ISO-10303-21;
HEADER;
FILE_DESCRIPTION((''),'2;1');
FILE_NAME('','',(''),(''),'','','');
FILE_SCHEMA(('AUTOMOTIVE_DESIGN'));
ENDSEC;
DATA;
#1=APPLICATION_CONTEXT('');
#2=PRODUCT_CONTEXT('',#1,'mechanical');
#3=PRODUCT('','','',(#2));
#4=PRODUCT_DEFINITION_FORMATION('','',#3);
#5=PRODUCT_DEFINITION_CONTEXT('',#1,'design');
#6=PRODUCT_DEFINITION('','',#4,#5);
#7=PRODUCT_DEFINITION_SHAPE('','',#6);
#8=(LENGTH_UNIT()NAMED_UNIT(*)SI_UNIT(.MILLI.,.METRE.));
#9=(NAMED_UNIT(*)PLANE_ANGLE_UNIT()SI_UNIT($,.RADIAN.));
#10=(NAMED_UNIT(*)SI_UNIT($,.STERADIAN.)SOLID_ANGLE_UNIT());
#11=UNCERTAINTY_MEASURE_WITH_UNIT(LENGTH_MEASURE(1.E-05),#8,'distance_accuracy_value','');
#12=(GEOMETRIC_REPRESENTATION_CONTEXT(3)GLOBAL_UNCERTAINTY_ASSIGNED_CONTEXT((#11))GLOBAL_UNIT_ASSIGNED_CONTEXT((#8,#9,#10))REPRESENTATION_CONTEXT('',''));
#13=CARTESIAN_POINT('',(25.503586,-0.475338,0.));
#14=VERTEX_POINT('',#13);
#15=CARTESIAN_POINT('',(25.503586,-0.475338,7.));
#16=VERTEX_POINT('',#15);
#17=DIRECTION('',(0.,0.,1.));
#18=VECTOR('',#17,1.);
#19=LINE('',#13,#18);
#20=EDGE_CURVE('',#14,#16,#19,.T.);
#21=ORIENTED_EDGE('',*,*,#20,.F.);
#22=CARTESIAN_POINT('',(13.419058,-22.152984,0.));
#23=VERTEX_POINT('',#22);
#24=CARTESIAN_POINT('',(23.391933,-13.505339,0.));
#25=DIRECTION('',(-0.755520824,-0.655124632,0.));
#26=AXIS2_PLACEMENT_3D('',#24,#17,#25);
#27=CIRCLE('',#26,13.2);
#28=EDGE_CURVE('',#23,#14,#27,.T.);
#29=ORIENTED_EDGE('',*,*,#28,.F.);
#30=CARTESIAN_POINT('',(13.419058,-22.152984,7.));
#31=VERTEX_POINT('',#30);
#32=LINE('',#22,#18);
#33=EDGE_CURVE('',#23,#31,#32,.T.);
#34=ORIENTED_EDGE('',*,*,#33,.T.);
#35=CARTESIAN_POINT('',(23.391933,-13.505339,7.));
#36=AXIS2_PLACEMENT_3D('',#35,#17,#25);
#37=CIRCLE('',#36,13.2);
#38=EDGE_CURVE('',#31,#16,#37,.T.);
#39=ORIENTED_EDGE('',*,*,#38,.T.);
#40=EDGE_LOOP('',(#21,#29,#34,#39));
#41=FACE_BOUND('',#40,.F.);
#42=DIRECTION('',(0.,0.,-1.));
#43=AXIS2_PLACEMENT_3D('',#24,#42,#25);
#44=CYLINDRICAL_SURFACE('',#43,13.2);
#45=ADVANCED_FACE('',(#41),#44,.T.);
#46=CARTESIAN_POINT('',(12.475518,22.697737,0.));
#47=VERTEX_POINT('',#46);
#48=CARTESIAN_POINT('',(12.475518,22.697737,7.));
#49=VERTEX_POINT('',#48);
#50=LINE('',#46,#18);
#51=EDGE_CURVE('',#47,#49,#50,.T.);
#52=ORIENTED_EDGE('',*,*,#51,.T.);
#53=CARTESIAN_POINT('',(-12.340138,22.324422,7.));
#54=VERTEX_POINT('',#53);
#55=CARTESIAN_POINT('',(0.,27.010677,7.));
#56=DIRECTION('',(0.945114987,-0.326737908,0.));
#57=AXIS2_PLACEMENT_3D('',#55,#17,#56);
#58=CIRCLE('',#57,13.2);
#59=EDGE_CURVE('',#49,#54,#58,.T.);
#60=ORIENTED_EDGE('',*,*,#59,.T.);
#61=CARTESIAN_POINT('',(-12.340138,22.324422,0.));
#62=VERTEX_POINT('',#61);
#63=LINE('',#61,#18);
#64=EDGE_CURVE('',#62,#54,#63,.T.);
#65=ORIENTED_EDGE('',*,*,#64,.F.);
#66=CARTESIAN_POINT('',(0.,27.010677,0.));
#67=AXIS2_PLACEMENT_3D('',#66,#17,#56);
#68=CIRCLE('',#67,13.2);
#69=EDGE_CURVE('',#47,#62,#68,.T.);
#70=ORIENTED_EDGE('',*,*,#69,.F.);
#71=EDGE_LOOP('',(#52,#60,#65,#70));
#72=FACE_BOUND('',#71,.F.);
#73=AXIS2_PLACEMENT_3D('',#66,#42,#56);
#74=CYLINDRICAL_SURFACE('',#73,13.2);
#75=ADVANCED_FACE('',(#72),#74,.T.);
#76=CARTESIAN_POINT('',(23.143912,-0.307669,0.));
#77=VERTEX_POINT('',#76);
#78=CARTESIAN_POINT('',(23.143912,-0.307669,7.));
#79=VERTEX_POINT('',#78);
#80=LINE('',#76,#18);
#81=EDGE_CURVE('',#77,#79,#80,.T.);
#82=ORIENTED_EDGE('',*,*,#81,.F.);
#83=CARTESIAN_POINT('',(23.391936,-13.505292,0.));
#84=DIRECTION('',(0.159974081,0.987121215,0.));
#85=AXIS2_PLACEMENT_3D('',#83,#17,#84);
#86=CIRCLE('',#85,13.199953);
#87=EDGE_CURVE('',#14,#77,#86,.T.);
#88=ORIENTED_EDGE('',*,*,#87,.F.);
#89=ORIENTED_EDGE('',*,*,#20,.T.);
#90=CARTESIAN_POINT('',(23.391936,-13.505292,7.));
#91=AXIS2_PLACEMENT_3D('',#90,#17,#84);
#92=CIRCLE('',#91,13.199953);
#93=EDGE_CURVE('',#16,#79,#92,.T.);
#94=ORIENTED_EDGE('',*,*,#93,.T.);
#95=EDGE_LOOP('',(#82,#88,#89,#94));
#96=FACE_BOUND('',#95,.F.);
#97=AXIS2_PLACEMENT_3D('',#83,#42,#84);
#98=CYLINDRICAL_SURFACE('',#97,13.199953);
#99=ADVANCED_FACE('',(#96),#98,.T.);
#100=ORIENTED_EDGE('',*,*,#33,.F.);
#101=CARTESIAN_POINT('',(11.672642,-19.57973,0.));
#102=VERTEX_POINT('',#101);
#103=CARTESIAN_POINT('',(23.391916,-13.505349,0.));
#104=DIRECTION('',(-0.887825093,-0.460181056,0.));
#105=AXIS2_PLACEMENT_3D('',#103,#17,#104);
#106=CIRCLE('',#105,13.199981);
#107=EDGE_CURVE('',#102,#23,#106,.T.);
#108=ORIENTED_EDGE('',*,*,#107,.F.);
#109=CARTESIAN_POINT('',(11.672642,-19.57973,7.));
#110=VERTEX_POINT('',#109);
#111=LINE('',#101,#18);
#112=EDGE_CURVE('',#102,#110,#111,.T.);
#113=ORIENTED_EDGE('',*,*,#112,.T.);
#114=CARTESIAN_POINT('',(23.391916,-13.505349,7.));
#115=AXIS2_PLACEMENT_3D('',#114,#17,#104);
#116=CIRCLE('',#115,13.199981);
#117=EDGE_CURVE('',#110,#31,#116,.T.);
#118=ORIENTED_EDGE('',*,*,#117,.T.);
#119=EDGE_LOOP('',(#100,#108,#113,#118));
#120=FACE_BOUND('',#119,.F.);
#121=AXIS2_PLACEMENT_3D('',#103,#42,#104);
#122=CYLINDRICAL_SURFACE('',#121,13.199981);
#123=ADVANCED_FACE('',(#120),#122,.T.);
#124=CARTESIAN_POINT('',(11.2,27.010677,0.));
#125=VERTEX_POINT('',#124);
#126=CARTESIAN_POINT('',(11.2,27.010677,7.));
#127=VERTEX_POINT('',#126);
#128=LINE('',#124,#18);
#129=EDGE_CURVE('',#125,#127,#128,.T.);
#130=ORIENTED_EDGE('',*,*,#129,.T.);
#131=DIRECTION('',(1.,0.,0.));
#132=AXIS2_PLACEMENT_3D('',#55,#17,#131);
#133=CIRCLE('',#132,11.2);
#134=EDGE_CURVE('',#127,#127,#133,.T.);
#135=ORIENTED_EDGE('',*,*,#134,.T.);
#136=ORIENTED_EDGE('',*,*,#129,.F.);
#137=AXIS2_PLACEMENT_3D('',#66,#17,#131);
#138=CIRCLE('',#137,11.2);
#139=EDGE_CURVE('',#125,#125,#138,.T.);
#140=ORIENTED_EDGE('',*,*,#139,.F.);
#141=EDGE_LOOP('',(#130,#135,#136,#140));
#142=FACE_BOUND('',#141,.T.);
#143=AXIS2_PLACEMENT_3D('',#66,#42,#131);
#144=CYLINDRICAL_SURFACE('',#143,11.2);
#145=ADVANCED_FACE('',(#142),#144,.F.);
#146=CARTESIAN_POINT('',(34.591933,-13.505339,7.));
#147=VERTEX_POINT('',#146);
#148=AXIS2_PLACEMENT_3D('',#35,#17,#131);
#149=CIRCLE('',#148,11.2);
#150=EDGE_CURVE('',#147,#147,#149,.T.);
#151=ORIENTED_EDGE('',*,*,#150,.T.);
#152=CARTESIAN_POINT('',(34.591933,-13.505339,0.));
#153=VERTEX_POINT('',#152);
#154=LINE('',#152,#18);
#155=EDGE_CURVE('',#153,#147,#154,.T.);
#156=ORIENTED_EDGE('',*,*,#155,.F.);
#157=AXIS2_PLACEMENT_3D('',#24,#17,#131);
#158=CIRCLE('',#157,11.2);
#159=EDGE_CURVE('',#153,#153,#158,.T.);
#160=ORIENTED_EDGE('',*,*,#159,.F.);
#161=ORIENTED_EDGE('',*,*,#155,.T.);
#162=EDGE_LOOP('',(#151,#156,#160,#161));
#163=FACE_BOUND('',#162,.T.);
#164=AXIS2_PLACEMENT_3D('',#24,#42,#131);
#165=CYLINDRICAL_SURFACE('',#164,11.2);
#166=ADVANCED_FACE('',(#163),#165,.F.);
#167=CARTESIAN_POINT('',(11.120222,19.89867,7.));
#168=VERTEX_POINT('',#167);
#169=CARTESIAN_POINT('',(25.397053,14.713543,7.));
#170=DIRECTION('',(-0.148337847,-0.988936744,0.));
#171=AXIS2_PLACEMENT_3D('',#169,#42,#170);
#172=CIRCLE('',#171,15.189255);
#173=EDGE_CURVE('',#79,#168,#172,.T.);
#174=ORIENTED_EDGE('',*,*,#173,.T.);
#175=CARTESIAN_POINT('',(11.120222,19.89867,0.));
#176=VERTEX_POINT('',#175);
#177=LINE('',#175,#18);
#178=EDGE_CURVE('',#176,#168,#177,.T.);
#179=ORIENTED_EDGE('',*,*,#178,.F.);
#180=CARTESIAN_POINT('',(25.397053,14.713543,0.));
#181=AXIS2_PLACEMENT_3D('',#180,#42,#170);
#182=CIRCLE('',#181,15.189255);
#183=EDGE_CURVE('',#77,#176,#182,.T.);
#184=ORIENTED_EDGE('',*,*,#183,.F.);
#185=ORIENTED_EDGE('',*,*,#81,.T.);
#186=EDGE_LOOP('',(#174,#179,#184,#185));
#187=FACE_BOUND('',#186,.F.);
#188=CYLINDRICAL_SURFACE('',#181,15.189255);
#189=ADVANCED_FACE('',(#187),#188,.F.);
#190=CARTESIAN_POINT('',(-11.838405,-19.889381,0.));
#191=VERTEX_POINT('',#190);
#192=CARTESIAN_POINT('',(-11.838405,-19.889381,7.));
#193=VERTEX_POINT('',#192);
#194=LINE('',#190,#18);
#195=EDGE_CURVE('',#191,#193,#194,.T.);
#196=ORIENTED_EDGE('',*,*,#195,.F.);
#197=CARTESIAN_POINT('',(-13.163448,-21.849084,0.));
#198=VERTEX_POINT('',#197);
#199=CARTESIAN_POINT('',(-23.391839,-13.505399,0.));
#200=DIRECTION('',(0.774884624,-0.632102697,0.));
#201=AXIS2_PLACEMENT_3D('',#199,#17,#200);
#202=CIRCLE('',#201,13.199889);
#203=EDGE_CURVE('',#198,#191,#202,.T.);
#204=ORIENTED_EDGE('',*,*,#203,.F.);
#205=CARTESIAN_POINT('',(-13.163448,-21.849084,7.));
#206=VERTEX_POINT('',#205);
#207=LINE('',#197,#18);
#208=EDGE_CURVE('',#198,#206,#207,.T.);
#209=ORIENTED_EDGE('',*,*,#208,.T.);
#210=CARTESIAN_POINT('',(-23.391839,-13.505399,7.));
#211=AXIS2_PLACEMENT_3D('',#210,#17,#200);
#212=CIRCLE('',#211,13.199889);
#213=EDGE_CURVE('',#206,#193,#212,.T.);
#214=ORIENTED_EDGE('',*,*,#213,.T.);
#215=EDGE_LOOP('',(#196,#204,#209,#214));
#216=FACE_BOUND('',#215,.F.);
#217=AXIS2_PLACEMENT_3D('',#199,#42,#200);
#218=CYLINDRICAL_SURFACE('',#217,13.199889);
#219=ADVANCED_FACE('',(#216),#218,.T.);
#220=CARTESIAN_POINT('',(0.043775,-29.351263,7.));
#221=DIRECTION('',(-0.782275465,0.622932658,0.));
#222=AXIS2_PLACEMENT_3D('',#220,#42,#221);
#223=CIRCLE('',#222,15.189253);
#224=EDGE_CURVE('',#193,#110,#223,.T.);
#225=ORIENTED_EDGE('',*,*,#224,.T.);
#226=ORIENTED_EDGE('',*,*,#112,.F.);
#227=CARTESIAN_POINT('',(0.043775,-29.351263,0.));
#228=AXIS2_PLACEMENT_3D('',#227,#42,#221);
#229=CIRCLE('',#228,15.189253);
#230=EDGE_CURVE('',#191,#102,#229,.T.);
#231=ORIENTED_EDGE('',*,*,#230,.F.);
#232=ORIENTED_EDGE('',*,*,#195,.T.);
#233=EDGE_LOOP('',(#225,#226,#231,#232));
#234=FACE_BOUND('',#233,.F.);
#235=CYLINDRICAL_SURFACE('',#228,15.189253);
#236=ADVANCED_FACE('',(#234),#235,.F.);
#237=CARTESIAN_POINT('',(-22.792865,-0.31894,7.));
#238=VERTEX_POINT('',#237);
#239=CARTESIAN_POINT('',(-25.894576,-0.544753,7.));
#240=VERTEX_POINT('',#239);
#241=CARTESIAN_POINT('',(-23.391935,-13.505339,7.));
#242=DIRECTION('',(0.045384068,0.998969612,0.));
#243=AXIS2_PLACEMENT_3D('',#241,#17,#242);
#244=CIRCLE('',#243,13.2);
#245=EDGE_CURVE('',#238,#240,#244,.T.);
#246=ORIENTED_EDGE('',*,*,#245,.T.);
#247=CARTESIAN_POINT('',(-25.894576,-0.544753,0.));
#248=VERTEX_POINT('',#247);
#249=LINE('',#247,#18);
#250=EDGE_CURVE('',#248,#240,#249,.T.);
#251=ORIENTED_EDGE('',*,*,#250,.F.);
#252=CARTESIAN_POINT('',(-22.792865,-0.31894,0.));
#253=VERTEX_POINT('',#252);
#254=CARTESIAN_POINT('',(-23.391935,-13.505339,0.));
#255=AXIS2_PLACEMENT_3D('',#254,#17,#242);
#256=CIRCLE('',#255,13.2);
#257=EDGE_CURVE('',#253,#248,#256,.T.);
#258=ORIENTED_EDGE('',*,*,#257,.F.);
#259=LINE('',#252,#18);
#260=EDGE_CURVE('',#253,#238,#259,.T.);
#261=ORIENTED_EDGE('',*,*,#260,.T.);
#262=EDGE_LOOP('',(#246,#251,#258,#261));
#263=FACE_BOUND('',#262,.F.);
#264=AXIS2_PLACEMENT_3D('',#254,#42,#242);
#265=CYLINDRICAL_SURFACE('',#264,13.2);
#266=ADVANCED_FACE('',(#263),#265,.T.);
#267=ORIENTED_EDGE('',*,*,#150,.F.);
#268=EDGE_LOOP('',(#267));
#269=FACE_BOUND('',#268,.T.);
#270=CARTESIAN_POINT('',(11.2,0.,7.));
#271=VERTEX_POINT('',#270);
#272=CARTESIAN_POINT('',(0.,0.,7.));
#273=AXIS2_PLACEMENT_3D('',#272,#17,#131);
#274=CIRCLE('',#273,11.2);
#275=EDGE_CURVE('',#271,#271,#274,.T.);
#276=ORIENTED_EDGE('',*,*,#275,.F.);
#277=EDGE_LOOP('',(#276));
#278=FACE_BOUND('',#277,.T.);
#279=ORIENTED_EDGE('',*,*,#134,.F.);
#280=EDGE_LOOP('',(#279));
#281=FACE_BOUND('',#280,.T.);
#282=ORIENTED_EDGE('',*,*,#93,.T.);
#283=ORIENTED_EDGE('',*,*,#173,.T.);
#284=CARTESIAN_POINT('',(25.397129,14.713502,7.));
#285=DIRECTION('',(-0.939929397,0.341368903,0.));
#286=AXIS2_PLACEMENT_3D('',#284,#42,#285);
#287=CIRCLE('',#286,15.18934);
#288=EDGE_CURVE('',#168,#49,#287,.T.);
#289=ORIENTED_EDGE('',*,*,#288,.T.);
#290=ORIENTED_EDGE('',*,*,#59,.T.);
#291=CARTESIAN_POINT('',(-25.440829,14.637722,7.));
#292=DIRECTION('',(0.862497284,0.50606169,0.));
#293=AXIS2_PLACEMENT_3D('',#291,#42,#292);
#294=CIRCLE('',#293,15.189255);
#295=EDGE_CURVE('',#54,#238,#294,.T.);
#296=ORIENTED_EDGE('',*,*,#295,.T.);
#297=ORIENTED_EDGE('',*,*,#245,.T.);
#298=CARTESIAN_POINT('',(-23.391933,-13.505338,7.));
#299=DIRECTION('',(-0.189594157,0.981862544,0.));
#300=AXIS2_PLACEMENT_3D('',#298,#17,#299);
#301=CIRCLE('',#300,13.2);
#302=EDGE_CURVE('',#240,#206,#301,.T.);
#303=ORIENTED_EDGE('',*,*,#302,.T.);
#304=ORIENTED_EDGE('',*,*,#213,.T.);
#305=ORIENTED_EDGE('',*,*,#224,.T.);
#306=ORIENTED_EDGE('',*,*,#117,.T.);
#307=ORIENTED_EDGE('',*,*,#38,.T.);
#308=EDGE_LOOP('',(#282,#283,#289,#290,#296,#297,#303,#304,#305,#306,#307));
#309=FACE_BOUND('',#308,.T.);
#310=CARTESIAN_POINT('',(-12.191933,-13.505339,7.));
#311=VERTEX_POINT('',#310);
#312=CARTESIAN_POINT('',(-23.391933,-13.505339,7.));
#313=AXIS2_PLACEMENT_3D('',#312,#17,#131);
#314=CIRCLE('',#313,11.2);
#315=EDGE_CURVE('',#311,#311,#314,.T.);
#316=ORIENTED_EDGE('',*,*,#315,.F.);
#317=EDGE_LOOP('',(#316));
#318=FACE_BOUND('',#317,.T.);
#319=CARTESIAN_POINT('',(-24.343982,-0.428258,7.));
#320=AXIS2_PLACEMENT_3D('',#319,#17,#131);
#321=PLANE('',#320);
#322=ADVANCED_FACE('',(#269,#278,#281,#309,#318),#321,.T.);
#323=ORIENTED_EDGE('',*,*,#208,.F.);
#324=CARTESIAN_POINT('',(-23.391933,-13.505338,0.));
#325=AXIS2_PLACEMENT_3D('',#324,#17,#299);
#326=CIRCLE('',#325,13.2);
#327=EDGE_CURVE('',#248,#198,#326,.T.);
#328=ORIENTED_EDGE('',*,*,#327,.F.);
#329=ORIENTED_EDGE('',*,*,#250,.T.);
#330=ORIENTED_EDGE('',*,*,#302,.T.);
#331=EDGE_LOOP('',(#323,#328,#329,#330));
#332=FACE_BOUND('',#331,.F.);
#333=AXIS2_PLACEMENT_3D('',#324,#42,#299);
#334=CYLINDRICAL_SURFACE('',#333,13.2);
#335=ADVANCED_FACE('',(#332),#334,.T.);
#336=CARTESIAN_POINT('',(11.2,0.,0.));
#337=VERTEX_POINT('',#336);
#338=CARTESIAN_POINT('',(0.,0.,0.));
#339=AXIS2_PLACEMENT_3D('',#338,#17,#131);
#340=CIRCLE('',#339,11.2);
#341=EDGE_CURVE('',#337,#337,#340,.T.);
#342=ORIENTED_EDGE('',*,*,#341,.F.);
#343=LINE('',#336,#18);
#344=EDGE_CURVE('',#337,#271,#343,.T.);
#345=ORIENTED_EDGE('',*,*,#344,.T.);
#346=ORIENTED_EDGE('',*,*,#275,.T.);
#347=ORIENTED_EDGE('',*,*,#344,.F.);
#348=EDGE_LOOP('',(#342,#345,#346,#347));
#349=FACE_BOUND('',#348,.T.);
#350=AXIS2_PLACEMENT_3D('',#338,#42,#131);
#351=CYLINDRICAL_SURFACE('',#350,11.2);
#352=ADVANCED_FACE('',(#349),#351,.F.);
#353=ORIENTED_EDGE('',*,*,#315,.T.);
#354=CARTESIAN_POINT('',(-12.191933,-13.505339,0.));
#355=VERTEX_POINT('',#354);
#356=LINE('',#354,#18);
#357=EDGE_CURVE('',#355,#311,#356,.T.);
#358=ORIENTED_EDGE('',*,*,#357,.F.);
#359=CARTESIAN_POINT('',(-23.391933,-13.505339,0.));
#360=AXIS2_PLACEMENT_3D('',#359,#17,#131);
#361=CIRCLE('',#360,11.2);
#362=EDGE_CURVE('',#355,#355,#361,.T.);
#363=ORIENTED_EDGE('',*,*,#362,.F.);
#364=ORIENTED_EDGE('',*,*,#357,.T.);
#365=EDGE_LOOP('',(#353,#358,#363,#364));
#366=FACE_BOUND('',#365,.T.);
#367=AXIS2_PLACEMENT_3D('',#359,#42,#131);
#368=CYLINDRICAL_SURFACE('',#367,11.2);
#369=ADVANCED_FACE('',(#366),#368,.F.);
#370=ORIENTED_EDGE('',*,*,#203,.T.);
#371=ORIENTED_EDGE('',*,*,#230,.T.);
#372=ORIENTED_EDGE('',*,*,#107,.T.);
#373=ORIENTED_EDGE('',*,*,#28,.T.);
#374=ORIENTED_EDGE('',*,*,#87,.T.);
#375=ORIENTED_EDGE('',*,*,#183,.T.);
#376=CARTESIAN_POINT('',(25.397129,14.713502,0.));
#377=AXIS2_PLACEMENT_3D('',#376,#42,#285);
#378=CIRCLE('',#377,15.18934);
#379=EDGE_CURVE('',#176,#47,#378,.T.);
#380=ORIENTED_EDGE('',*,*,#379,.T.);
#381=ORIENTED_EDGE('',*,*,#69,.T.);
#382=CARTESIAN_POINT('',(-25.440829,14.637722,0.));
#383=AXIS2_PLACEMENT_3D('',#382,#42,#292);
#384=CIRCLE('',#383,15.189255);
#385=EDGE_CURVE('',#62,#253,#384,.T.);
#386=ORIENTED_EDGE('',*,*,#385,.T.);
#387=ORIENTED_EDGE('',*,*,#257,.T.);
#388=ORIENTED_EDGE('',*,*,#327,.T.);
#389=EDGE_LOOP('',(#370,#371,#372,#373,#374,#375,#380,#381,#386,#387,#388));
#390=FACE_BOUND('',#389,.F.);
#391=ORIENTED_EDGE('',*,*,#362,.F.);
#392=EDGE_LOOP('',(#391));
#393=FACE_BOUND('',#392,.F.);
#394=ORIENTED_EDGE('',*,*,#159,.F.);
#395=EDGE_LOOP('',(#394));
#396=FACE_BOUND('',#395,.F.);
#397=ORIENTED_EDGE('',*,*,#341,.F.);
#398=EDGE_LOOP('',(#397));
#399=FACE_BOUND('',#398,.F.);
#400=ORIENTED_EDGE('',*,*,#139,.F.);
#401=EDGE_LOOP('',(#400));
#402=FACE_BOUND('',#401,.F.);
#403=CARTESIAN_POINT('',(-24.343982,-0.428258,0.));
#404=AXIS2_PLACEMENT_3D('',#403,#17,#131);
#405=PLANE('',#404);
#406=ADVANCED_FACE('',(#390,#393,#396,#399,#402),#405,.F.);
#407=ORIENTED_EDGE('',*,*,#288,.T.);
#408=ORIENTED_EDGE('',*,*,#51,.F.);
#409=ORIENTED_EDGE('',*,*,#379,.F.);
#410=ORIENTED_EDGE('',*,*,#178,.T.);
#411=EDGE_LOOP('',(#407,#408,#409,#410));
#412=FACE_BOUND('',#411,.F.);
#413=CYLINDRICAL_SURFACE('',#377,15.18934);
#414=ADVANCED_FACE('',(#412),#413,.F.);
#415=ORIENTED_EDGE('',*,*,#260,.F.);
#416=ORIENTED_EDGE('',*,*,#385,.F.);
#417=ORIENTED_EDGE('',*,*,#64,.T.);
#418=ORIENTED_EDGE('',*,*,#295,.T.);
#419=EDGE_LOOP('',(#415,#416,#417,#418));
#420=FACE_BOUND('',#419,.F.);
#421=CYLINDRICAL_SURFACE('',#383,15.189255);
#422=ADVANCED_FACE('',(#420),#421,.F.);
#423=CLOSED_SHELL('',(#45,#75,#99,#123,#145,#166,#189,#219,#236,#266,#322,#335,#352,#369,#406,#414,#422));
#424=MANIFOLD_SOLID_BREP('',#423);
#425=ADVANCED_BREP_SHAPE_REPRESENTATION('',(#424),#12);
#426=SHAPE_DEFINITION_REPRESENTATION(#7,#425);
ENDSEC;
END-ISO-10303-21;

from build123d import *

# Parameters (mm, degrees)
F0_R     = 11.2
F1_DEPTH = 7


with BuildPart() as f1:
    # F0 (on Top) → F1 (new body)
    with BuildSketch(Plane.XY):
        with BuildLine():
            ThreePointArc((-25.894576, -0.544753), (-24.337926, -0.511438), (-22.792865, -0.31894))
            ThreePointArc((-22.792865, -0.31894), (-24.350394, -0.340182), (-25.894576, -0.544753))
        make_face()
        with BuildLine():
            ThreePointArc((-12.340138, 22.324422), (-11.650053, 8.271565), (-22.792865, -0.31894))
            ThreePointArc((-22.792865, -0.31894), (-24.337926, -0.511438), (-25.894576, -0.544753))
            ThreePointArc((-25.894576, -0.544753), (-34.722899, -20.276543), (-13.163448, -21.849084))
            ThreePointArc((-13.163448, -21.849084), (-12.539136, -20.843398), (-11.838405, -19.889381))
            ThreePointArc((-11.838405, -19.889381), (-0.156257, -14.163327), (11.672642, -19.57973))
            ThreePointArc((11.672642, -19.57973), (12.611881, -20.821543), (13.419058, -22.152984))
            ThreePointArc((13.419058, -22.152984), (34.921451, -19.932641), (25.503586, -0.475338))
            ThreePointArc((25.503586, -0.475338), (24.32048, -0.437511), (23.143912, -0.307669))
            ThreePointArc((23.143912, -0.307669), (12.34393, 6.946341), (11.120222, 19.89867))
            ThreePointArc((11.120222, 19.89867), (11.726045, 21.332981), (12.475518, 22.697737))
            ThreePointArc((12.475518, 22.697737), (-0.198552, 40.209184), (-12.340138, 22.324422))
        make_face()
        with Locations((-23.391933, -13.505339)):
            Circle(F0_R, mode=Mode.SUBTRACT)
        with Locations((23.391933, -13.505339)):
            Circle(F0_R, mode=Mode.SUBTRACT)
        Circle(F0_R, mode=Mode.SUBTRACT)
        with Locations((0, 27.010677)):
            Circle(F0_R, mode=Mode.SUBTRACT)
        with BuildLine():
            ThreePointArc((-11.838405, -19.889381), (-12.539136, -20.843398), (-13.163448, -21.849084))
            ThreePointArc((-13.163448, -21.849084), (-12.456937, -20.898976), (-11.838405, -19.889381))
        make_face()
        with BuildLine():
            ThreePointArc((13.419058, -22.152984), (12.611881, -20.821543), (11.672642, -19.57973))
            ThreePointArc((11.672642, -19.57973), (12.469803, -20.917969), (13.419058, -22.152984))
        make_face()
        with BuildLine():
            ThreePointArc((25.503586, -0.475338), (24.327513, -0.338536), (23.143912, -0.307669))
            ThreePointArc((23.143912, -0.307669), (24.32048, -0.437511), (25.503586, -0.475338))
        make_face()
    extrude(amount=F1_DEPTH)


solid = f1.part
